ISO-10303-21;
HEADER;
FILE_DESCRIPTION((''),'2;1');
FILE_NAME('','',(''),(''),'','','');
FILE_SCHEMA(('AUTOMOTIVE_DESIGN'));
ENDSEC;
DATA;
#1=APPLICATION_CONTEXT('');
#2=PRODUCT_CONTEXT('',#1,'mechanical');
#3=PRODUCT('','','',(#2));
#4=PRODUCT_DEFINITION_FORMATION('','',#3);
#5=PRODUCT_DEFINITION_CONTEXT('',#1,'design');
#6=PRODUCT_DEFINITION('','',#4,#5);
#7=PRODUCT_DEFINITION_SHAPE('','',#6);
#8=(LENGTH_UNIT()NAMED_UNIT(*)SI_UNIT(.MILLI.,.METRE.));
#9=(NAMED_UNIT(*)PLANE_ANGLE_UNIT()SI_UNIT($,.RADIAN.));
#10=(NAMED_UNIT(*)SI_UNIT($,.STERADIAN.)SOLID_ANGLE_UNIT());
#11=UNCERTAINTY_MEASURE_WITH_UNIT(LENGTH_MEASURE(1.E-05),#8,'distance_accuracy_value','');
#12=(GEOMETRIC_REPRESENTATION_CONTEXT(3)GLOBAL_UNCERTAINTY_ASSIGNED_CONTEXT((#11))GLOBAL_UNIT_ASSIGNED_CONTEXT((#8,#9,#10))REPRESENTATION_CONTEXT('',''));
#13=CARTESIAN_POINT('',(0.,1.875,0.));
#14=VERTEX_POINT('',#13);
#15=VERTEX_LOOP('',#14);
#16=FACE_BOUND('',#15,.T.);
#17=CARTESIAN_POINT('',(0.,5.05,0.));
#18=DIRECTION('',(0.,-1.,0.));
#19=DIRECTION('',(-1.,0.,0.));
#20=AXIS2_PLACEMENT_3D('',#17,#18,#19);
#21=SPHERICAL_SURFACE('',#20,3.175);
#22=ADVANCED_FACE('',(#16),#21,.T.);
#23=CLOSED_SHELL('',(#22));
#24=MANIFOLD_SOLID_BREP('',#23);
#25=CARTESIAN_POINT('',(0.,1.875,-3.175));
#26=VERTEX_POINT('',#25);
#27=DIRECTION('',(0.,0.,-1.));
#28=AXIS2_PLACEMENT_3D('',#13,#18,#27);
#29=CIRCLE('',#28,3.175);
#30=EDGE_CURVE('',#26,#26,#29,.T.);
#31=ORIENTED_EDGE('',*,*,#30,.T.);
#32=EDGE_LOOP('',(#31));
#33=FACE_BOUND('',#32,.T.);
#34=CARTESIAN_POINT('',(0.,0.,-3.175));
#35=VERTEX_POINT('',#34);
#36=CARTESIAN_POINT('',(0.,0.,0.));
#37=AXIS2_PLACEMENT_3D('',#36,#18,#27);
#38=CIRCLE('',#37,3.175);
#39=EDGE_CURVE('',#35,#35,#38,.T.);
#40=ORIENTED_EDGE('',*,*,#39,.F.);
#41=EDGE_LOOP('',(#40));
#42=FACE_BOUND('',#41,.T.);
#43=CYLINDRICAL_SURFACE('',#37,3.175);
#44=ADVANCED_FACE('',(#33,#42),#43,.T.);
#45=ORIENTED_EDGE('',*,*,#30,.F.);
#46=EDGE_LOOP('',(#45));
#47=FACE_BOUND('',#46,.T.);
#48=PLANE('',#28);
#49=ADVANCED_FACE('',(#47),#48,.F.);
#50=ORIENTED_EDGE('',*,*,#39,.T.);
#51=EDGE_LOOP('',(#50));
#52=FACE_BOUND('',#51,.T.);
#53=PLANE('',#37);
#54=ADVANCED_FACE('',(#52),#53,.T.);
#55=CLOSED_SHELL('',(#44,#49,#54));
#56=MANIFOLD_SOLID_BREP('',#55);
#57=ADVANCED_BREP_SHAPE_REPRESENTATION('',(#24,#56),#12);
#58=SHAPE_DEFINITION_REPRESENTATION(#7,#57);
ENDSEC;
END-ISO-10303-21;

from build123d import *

# Parameters (mm, degrees)
SKETCH1_W = 3.175
SKETCH1_H = 1.875


with BuildPart() as part:
    # Sketch1 → Revolve1 (revolve)
    with BuildSketch(Plane.XY):
        with BuildLine():
            ThreePointArc((0, 8.225), (3.175, 5.05), (0, 1.875))
            Line((0, 1.875), (0, 8.225))
        make_face()
        with Locations((1.5875, 0.9375)):
            Rectangle(SKETCH1_W, SKETCH1_H)
    revolve(axis=Axis((0, 0, 0), (0, 1, 0)))


solid = part.part
